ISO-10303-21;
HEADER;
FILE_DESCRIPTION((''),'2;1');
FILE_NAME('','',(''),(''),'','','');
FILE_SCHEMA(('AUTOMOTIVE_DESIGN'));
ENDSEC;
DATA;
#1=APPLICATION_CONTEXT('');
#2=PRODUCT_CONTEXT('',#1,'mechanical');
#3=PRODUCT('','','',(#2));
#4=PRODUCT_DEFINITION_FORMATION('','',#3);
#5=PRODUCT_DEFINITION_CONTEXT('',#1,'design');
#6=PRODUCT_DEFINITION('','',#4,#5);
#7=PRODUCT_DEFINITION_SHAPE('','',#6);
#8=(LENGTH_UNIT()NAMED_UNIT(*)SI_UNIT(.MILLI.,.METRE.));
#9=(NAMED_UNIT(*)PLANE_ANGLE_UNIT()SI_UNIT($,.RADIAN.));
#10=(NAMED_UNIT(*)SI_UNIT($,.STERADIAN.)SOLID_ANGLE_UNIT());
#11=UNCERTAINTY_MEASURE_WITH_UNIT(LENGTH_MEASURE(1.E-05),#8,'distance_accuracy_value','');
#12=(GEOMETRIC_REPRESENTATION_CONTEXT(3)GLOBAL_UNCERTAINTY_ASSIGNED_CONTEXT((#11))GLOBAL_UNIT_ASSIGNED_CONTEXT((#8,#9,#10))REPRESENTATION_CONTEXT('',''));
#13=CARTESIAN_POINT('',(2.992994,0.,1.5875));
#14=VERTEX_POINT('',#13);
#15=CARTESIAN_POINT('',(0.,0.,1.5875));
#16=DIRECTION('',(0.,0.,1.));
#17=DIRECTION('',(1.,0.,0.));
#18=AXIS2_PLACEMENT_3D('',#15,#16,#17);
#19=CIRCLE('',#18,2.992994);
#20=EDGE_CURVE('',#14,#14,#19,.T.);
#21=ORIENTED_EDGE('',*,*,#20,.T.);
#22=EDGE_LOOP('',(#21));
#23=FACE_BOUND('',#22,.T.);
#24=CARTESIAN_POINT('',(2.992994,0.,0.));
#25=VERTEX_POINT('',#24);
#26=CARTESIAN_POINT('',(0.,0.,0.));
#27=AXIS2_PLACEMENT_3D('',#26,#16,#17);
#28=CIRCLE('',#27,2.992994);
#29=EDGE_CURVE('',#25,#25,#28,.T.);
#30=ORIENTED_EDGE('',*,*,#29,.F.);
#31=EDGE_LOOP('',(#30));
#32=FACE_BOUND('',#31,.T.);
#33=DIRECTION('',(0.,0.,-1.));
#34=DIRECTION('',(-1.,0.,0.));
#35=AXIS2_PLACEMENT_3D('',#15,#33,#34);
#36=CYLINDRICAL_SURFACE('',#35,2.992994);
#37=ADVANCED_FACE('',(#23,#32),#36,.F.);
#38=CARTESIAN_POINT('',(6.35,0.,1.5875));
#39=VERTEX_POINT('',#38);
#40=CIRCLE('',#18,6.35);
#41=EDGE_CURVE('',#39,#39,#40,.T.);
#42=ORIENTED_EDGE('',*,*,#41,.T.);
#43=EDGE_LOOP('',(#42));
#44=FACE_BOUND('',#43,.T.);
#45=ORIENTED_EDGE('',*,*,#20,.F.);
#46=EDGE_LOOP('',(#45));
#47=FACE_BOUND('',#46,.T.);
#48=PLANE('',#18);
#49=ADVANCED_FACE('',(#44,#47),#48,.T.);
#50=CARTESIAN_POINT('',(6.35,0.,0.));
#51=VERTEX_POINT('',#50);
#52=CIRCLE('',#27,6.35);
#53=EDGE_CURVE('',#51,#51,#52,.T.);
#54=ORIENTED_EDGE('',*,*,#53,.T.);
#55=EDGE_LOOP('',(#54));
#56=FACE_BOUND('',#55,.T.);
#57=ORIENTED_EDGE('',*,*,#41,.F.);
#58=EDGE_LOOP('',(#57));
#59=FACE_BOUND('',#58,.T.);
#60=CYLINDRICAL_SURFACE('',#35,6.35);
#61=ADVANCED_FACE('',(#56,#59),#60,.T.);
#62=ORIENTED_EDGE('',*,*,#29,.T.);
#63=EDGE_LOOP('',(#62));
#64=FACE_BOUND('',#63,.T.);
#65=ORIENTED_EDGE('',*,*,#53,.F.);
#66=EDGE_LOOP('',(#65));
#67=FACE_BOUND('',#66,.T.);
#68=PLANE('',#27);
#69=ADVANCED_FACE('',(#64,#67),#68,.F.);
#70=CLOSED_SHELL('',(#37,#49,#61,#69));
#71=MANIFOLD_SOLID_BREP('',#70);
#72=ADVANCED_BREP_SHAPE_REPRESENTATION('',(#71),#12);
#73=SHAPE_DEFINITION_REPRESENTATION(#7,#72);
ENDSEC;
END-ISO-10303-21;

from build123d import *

# Parameters (mm, degrees)
SKETCH1_R           = 6.35
SKETCH1_R_2         = 2.99299376
BOSS_EXTRUDE1_DEPTH = 1.5875


with BuildPart() as part:
    # Sketch1 → Boss-Extrude1 (new body)
    with BuildSketch(Plane.XY):
        Circle(SKETCH1_R)
        Circle(SKETCH1_R_2, mode=Mode.SUBTRACT)
    extrude(amount=BOSS_EXTRUDE1_DEPTH)


solid = part.part
